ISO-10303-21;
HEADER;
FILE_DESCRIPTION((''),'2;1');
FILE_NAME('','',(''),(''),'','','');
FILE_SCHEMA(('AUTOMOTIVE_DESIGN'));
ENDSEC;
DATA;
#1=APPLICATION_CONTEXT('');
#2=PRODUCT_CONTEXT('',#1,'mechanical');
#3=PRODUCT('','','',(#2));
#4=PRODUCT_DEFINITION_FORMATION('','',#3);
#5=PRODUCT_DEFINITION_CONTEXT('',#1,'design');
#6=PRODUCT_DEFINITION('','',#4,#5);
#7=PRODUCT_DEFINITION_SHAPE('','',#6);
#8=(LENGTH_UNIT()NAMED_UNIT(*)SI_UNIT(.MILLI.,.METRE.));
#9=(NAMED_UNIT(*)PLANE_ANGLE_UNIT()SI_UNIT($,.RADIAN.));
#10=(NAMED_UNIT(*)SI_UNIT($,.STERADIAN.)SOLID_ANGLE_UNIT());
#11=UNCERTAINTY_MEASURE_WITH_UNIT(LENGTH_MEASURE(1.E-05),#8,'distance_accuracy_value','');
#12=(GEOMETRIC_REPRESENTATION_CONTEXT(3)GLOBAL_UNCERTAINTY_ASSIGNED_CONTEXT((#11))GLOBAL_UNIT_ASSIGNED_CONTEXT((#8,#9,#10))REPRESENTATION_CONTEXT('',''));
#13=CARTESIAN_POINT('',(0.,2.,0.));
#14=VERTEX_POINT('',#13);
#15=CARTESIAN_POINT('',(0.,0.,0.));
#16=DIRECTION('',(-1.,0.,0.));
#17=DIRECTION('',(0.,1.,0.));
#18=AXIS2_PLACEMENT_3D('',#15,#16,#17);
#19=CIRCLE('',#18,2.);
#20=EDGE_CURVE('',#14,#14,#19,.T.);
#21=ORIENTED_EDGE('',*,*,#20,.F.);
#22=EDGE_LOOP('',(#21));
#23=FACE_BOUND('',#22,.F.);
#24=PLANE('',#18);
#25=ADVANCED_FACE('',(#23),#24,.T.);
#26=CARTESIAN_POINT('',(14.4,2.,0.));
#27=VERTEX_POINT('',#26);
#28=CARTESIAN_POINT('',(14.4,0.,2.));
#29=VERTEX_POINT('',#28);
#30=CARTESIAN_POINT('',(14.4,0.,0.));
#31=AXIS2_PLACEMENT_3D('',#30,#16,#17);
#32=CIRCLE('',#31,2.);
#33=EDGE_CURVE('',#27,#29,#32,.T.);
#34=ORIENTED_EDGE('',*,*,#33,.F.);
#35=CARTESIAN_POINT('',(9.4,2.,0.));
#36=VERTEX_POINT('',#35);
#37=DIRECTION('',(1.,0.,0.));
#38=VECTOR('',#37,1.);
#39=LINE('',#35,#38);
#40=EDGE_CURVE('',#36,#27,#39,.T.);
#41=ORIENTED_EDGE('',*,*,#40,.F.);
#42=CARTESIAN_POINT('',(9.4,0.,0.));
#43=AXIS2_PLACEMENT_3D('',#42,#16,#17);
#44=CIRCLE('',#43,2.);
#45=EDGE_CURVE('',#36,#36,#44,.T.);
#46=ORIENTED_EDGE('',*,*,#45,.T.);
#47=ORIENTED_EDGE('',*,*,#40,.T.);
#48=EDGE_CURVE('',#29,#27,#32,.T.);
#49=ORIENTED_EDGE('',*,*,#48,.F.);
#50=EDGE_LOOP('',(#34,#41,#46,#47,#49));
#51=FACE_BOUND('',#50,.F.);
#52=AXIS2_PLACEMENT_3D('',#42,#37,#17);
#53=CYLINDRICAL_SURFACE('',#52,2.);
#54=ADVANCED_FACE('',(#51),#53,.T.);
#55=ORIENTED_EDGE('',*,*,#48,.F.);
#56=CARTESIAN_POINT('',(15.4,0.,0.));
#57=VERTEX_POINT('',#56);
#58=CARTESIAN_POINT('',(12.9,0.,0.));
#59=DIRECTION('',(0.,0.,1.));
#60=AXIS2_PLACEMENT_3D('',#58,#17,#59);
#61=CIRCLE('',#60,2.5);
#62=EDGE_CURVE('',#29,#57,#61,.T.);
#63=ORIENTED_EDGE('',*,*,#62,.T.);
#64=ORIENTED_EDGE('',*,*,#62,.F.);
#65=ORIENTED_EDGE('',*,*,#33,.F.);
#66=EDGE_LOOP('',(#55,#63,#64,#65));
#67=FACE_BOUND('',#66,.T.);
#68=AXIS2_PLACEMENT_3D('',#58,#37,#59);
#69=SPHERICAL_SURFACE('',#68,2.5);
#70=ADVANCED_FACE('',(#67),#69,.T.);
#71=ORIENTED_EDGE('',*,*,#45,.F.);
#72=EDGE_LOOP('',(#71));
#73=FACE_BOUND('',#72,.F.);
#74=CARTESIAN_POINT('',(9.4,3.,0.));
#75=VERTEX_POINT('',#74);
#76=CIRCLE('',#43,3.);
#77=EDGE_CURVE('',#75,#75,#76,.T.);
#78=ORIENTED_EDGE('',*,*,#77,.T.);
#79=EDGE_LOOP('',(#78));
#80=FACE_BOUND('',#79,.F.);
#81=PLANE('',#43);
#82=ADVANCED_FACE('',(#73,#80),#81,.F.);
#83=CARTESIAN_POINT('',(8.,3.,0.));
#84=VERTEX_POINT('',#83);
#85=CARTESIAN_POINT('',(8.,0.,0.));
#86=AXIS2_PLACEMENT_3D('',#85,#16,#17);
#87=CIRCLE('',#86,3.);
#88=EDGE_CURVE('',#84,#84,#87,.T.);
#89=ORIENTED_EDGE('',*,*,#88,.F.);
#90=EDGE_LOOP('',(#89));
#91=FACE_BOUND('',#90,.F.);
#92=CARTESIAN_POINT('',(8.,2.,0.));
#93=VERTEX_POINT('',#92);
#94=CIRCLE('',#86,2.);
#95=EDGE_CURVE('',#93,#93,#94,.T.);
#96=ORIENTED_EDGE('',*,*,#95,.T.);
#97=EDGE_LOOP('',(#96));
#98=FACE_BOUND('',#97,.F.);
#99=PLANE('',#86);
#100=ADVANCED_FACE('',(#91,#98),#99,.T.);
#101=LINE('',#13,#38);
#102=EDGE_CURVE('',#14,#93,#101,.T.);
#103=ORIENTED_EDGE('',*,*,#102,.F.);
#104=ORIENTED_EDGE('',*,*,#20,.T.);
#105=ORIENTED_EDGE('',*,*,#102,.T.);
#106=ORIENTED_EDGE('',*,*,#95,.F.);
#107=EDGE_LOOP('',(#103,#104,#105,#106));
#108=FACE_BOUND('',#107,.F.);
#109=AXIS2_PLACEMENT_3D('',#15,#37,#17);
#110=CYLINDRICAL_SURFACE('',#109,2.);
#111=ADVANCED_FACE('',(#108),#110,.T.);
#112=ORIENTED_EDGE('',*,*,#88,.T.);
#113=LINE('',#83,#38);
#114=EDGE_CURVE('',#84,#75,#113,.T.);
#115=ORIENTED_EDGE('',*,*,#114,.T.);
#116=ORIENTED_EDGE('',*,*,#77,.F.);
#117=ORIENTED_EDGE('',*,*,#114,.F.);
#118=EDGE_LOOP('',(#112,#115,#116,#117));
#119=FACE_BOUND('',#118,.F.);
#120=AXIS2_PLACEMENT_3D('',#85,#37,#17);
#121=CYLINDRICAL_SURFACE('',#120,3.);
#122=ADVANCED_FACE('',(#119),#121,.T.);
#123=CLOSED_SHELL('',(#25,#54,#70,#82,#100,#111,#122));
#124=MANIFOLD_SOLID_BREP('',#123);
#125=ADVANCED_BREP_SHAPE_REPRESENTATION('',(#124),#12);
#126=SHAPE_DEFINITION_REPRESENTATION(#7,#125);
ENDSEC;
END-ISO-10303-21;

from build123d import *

# Parameters (mm, degrees)
D_ME1_FACE_RADIUS = 2
D_ME1_HEIGHT      = 1


with BuildPart() as part:
    # Esquisse1 → Révolution1 (revolve)
    with BuildSketch(Plane.XY):
        Polygon((0, 0), (0, 2), (8, 2), (8, 3), (9.4, 3), (9.4, 2), (14.4, 2), (14.4, 0), align=None)
    revolve(axis=Axis((14.4, 0, 0), (-1, 0, 0)))

    # Dôme1: a dome of height H over a round flat face of radius A is a cap of a sphere of radius (A * A + H * H) / (2 * H)
    d_me1_r = (D_ME1_FACE_RADIUS * D_ME1_FACE_RADIUS + D_ME1_HEIGHT * D_ME1_HEIGHT) / (2 * D_ME1_HEIGHT)
    d_me1_base = Plane((14.4, 0, 0), z_dir=(1, 0, 0))
    with Locations(d_me1_base.offset(D_ME1_HEIGHT - d_me1_r)):
        d_me1_ball = Sphere(d_me1_r, mode=Mode.PRIVATE)
    add(split(d_me1_ball, bisect_by=d_me1_base, keep=Keep.TOP, mode=Mode.PRIVATE))


solid = part.part
